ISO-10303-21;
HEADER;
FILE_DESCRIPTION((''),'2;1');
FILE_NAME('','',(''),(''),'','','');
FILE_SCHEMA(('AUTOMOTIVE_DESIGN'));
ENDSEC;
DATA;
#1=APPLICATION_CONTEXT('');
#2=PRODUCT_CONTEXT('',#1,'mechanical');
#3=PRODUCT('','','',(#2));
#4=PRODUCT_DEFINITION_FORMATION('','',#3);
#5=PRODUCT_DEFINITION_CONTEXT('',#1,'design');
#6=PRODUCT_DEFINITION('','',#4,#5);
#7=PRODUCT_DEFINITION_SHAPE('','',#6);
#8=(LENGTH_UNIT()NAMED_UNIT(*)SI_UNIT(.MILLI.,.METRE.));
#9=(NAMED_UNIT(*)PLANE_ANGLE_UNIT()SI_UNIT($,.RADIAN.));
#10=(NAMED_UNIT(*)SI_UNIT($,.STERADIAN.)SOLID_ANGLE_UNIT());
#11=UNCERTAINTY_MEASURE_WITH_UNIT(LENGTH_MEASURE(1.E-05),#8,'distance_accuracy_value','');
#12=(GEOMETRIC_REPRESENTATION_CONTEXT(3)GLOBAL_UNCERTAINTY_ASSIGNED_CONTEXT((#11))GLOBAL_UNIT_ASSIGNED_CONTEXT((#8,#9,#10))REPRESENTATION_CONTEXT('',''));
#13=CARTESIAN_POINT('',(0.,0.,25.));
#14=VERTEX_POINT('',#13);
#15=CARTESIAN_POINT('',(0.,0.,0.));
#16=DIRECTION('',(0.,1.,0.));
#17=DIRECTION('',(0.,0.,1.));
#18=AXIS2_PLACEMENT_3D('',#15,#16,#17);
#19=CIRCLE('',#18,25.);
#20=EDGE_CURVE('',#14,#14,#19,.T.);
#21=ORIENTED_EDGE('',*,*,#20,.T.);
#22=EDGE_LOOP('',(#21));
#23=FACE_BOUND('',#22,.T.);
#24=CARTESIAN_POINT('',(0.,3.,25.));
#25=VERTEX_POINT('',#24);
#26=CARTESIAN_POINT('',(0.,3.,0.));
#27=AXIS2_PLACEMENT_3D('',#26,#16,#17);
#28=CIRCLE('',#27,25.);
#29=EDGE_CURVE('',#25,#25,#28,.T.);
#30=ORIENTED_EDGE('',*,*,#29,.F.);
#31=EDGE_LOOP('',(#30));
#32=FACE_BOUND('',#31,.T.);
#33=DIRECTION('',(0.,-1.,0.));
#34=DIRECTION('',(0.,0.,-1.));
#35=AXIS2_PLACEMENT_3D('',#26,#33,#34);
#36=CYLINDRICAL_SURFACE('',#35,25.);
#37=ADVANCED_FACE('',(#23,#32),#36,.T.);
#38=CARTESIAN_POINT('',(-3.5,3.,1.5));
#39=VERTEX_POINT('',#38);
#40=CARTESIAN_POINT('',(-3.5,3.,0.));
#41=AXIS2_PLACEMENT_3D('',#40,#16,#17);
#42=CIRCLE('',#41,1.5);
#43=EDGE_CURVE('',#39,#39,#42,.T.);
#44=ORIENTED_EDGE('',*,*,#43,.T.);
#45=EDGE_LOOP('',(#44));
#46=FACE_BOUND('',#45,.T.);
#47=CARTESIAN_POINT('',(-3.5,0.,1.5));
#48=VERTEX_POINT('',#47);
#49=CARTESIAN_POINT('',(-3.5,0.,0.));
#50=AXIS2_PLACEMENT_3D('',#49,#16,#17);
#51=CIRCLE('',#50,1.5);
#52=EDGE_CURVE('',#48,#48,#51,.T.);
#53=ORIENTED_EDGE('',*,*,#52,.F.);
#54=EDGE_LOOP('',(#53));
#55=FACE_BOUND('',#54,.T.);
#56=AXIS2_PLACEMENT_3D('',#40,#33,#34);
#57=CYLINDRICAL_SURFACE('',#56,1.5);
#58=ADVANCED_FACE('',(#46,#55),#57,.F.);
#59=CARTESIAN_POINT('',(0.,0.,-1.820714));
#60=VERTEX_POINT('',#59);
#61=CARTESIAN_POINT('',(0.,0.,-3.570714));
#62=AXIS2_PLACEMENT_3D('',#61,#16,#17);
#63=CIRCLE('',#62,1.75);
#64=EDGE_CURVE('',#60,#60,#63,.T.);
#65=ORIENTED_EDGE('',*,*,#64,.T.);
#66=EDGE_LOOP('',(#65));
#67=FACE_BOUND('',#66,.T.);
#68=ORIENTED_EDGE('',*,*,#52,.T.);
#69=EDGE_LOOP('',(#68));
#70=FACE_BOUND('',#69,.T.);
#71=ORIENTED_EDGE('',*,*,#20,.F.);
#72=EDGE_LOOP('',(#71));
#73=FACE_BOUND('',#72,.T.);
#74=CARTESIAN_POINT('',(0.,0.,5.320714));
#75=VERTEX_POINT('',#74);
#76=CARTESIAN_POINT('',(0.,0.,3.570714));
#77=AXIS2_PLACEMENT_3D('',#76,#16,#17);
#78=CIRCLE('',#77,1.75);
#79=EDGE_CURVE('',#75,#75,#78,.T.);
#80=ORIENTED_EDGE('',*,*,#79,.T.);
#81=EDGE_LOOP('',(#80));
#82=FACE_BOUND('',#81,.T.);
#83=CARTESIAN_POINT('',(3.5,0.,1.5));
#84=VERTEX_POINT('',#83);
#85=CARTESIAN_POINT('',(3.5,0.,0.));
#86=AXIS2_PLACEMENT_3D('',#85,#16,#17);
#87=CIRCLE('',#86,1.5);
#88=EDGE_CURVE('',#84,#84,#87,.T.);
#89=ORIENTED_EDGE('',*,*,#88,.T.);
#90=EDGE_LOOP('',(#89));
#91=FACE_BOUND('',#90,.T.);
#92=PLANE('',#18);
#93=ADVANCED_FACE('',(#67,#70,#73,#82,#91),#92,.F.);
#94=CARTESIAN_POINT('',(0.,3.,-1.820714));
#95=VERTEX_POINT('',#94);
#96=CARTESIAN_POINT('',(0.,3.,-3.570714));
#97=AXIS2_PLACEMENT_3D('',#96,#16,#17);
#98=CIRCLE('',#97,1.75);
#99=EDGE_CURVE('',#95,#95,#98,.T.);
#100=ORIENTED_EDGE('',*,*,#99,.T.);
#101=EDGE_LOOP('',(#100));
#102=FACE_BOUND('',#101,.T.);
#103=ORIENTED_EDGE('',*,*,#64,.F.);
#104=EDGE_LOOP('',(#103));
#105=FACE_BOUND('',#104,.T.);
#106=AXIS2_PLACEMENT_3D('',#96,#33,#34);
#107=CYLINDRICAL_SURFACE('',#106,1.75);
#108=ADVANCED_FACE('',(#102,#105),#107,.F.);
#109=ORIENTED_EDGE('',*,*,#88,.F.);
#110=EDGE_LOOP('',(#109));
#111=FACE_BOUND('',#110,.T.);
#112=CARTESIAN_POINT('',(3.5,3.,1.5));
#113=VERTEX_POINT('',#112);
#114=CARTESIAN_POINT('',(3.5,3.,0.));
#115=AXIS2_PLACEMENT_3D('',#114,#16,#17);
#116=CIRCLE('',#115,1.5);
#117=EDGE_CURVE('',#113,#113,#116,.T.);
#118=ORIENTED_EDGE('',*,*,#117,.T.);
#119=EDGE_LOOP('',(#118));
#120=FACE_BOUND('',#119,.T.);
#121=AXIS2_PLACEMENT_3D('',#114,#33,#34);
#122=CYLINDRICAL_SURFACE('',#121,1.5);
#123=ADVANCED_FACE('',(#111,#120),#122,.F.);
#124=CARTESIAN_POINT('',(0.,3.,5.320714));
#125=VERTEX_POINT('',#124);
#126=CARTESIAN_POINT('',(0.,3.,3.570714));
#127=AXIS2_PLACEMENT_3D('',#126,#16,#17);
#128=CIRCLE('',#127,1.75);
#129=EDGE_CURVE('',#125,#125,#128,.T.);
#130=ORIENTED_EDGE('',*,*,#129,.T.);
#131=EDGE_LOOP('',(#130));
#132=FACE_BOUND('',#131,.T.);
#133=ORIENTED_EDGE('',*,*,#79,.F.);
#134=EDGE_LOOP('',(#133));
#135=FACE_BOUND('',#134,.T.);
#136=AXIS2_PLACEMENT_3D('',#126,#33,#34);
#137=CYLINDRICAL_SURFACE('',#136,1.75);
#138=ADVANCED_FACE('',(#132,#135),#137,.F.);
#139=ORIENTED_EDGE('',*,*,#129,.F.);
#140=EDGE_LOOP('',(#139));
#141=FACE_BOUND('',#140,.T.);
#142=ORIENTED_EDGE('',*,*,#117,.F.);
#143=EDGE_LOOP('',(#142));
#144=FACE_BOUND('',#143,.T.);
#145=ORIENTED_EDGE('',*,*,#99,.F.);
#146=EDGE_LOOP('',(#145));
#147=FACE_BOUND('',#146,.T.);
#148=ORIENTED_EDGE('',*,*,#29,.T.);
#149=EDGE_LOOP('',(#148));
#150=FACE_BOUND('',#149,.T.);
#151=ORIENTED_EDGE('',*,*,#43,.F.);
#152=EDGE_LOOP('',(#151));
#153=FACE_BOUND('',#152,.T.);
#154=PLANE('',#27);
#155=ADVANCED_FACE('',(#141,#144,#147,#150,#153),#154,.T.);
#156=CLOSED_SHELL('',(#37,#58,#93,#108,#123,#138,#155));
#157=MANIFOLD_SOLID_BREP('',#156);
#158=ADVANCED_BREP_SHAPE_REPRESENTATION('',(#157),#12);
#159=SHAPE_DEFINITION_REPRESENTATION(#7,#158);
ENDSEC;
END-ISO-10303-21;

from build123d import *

# Parameters (mm, degrees)
ESQUISSE1_R        = 25
ESQUISSE1_R_2      = 1.5
ESQUISSE1_R_3      = 1.75
BOSS_EXTRU_1_DEPTH = 3


with BuildPart() as part:
    # Esquisse1 → Boss.-Extru.1 (new body)
    with BuildSketch(Plane(origin=(0, 0, 0), x_dir=(1, 0, 0), z_dir=(0, 1, 0))):
        Circle(ESQUISSE1_R)
        with Locations((-3.5, 0)):
            Circle(ESQUISSE1_R_2, mode=Mode.SUBTRACT)
        with Locations((3.5, 0)):
            Circle(ESQUISSE1_R_2, mode=Mode.SUBTRACT)
        with Locations((0, 3.570714214)):
            Circle(ESQUISSE1_R_3, mode=Mode.SUBTRACT)
        with Locations((0, -3.570714214)):
            Circle(ESQUISSE1_R_3, mode=Mode.SUBTRACT)
    extrude(amount=BOSS_EXTRU_1_DEPTH)


solid = part.part
